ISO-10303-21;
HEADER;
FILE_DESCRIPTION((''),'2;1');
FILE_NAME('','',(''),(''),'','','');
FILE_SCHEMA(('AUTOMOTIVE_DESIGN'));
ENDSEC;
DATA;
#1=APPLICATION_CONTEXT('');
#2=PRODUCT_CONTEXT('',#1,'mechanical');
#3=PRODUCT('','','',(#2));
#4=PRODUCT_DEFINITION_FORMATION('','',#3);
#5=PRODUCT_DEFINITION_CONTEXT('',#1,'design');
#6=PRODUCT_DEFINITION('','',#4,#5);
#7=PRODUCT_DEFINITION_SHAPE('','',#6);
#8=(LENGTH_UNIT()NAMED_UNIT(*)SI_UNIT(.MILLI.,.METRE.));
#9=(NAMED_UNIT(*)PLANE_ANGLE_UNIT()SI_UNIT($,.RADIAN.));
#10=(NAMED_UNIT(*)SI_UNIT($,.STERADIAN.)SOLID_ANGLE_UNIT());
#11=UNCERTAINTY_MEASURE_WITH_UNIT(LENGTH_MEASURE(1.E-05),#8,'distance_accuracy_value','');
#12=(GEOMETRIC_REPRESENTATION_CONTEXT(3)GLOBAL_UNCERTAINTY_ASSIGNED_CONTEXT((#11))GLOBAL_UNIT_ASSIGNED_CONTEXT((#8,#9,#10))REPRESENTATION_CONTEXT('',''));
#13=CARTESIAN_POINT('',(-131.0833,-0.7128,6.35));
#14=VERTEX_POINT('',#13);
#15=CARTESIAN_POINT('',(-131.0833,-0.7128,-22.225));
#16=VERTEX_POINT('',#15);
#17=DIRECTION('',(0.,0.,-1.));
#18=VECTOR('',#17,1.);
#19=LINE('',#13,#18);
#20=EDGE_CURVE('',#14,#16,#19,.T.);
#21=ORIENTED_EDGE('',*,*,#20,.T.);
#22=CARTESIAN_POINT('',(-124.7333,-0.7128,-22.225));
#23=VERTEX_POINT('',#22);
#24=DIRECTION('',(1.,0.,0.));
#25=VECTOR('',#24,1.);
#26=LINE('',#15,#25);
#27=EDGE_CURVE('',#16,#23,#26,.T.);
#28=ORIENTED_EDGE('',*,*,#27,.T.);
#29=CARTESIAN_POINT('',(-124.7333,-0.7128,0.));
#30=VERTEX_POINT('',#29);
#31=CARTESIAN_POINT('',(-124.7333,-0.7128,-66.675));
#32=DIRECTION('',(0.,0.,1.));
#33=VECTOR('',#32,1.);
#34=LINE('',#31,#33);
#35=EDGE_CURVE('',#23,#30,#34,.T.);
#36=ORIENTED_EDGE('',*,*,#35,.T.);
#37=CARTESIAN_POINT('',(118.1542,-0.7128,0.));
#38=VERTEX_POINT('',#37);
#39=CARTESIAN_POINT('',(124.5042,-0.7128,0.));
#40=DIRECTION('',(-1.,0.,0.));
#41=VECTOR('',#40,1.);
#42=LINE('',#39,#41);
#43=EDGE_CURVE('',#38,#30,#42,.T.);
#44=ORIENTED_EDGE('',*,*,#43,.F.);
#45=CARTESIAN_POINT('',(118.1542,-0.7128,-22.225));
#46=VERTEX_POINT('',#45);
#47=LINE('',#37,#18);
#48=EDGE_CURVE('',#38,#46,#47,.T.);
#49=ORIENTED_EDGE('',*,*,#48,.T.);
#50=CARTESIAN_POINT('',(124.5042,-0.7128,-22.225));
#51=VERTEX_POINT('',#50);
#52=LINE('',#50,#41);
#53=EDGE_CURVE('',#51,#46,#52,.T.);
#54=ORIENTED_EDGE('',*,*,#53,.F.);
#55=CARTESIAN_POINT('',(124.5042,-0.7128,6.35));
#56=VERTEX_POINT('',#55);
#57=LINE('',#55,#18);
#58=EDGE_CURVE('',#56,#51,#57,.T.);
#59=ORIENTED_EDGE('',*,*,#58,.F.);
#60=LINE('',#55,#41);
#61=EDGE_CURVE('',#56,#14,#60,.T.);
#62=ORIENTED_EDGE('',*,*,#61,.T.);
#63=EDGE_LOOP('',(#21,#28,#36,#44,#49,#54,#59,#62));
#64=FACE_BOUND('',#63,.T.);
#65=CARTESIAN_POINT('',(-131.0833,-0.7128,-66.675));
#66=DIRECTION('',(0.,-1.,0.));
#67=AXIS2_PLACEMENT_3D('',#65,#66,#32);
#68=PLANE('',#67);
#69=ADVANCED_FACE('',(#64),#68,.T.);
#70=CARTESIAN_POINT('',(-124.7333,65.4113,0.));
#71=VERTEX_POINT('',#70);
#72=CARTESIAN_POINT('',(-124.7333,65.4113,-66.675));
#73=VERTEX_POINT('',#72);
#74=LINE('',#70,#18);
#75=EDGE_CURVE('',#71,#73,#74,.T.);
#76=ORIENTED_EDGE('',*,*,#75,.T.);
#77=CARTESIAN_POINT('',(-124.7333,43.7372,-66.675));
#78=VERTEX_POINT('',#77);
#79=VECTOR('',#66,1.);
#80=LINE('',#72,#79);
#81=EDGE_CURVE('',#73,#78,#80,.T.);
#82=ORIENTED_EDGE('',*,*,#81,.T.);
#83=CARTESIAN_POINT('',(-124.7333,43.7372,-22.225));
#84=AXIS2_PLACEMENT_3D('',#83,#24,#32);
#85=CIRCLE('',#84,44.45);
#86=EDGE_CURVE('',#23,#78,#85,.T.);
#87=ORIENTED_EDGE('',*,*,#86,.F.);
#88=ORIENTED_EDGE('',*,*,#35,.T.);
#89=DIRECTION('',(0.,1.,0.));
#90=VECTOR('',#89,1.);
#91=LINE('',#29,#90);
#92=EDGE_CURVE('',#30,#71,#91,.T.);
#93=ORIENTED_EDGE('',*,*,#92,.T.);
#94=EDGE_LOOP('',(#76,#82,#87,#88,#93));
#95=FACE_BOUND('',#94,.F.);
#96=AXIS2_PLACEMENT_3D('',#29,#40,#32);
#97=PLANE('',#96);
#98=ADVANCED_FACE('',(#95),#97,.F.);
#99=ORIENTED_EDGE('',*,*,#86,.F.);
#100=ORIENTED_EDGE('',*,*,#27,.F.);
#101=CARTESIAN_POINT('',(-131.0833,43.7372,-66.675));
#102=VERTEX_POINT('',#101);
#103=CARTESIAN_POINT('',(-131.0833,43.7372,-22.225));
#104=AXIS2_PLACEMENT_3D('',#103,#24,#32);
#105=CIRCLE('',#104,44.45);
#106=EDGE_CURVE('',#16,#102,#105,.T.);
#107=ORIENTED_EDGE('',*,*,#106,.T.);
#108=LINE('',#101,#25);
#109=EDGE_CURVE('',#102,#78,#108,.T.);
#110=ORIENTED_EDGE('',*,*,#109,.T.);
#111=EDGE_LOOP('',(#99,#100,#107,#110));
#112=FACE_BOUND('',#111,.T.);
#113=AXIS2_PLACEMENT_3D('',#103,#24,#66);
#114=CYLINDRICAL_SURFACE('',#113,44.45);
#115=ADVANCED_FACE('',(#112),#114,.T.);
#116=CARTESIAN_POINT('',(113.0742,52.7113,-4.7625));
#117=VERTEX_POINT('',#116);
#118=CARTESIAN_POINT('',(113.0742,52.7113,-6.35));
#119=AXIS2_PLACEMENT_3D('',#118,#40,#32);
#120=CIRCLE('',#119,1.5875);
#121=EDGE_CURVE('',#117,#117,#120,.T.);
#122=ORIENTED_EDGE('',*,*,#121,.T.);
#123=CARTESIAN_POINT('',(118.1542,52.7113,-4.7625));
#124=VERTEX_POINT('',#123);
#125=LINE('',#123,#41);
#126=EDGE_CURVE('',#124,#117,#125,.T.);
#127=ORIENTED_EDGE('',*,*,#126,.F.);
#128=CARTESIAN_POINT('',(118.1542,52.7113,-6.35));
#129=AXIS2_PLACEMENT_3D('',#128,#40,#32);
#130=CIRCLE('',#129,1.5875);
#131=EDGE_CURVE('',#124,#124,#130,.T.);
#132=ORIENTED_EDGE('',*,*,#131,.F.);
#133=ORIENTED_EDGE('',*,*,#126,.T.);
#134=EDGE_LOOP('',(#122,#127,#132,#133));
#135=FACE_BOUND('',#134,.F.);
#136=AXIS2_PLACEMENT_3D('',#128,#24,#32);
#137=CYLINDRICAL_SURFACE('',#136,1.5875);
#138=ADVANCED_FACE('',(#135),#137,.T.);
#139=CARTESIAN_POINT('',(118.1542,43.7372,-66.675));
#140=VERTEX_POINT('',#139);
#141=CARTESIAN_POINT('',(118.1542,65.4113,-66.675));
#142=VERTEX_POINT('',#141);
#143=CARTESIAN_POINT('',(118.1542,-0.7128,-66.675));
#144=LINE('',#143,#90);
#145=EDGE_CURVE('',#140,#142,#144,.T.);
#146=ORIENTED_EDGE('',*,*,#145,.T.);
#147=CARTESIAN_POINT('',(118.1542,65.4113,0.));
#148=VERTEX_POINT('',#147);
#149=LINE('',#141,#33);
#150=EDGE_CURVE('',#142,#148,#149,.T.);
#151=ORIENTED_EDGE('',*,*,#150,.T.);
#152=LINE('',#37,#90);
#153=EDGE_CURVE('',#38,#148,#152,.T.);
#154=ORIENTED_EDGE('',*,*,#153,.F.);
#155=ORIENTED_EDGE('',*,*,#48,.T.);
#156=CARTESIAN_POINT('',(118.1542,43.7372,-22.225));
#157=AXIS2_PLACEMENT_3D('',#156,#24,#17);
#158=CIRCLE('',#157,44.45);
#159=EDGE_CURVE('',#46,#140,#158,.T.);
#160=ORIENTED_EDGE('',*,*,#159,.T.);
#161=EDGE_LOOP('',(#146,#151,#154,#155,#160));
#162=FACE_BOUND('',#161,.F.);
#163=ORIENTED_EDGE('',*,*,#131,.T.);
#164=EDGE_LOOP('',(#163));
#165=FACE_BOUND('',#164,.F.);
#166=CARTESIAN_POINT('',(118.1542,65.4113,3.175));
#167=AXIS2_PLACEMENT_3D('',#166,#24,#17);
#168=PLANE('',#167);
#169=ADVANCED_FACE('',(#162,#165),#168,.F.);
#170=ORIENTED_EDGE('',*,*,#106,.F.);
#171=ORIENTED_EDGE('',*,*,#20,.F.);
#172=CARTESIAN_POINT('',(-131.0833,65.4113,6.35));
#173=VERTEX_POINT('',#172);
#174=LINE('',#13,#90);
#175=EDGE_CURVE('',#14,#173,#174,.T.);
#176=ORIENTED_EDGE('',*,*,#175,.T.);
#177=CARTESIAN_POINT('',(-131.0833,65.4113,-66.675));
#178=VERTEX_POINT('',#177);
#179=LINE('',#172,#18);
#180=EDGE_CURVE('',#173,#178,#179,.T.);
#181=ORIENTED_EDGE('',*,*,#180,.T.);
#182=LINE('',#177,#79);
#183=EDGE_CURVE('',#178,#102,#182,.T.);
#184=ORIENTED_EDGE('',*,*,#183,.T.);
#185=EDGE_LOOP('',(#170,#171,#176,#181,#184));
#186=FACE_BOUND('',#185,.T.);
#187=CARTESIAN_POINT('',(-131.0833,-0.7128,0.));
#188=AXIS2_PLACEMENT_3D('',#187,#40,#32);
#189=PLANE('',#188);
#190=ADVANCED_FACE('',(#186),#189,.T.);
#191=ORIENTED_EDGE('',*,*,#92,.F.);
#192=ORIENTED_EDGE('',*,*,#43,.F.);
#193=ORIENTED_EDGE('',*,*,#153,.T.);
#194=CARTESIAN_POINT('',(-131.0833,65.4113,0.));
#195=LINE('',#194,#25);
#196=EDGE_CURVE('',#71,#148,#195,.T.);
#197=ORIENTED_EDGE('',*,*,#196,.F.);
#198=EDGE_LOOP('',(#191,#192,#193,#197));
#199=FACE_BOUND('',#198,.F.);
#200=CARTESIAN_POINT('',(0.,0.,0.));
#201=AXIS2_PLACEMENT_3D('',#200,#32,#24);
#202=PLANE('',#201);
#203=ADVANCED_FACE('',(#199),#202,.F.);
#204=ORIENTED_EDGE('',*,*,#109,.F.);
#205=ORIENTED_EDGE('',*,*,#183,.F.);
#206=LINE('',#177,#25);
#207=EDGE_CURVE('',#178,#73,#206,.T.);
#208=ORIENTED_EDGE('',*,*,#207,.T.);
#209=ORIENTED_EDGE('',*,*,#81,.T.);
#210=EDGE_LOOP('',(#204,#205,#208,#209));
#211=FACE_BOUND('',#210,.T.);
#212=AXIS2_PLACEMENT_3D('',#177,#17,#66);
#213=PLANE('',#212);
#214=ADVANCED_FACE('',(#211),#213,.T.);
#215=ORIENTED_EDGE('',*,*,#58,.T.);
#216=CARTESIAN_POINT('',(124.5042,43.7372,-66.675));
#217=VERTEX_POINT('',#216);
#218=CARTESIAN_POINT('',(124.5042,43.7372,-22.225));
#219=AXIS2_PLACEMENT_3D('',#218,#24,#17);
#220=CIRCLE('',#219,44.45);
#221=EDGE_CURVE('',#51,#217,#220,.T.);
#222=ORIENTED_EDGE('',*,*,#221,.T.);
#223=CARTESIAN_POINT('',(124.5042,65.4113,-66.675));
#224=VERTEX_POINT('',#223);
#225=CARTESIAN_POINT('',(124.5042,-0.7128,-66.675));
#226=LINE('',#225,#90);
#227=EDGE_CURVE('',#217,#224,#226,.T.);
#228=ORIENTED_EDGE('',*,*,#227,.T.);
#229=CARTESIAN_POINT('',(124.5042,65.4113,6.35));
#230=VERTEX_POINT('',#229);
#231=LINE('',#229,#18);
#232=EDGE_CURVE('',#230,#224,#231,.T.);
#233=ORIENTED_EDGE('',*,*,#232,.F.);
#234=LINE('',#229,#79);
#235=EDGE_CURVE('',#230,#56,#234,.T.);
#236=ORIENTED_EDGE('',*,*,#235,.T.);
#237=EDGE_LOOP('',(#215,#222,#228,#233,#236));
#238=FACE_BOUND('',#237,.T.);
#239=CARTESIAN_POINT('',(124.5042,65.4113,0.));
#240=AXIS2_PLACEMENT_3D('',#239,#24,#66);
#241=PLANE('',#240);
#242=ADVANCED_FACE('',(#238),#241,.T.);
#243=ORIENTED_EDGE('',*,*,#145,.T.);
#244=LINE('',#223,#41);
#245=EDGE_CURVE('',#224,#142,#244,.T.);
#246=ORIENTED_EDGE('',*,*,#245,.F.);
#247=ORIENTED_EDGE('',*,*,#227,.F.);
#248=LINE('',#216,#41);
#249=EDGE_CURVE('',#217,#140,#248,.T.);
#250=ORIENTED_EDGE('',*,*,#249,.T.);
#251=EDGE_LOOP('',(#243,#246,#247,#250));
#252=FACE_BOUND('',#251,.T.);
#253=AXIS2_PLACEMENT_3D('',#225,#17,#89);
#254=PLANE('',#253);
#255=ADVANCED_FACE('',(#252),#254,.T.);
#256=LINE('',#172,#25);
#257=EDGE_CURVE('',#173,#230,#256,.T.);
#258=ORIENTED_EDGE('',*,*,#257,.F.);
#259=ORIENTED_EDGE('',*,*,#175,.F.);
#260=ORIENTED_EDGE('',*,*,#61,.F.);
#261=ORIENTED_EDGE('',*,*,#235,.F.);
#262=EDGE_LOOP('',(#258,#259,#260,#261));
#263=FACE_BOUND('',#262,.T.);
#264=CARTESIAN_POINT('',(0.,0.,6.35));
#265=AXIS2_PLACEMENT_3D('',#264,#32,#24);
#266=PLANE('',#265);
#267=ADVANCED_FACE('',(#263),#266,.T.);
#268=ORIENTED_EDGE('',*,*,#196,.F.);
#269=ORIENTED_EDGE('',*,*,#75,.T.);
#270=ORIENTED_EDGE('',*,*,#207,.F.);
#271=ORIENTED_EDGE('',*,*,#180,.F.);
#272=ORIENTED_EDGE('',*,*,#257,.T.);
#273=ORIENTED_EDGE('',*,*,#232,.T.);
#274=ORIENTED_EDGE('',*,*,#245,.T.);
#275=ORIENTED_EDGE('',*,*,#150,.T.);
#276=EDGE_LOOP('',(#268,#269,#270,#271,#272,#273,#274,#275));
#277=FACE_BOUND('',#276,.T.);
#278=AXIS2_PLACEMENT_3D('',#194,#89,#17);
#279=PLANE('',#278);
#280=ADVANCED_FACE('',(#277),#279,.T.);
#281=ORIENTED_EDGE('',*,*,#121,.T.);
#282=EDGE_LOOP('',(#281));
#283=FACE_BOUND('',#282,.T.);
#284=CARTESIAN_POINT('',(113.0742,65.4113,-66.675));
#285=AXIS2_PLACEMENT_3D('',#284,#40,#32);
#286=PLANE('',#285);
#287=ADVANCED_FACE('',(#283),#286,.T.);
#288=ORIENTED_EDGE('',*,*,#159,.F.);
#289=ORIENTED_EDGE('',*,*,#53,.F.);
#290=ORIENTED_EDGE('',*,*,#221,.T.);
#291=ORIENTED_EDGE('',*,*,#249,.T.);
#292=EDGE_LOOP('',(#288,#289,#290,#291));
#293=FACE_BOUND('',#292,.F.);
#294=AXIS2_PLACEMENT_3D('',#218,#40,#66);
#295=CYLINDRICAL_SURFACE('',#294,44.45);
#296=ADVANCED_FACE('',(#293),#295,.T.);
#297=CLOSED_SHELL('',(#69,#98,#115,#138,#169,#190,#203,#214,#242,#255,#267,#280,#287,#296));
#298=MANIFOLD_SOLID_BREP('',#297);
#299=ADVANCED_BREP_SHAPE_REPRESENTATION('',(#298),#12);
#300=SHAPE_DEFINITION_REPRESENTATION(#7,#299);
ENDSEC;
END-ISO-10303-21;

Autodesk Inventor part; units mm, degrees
ref_plane "YZ Plane" through (0, 0, 0) normal (1, 0, 0) x (0, 1, 0)
ref_plane "XZ Plane" through (0, 0, 0) normal (0, 1, 0) x (-1, 0, 0)
ref_plane "XY Plane" through (0, 0, 0) normal (0, 0, 1) x (1, 0, 0)
sketch "Sketch1" plane through (0, 0, 0) normal (0, 0, 1) x (1, 0, 0)
  line L0 (-131.0833, 65.4113) -> (124.5042, 65.4113)
  line L1 (124.5042, 65.4113) -> (124.5042, -0.7128)
  line L2 (124.5042, -0.7128) -> (-131.0833, -0.7128)
  line L3 (-131.0833, -0.7128) -> (-131.0833, 65.4113)
  point P0 (0, 0)
extrude "Extrusion1" add sketch "Sketch1" along normal blind 6.35
ref_plane "Work Plane2" through (124.5042, 65.4113, 3.175) normal (1, 0, 0) x (0, 0, -1)
sketch "Sketch4" plane through (124.5042, 65.4113, 3.175) normal (1, 0, 0) x (0, 0, -1)
  line L0 (3.175, -66.1241) -> (3.175, 0) projected
  line L1 (3.175, -66.1241) -> (69.85, -66.1241)
  line L2 (69.85, -66.1241) -> (69.85, 0)
  line L3 (69.85, 0) -> (3.175, 0)
  line L4 (3.175, 0) -> (3.175, -66.1241)
  point P0 (3.175, -65.4113)
  dimension "d2" = 66.1241
  dimension "d3" = 66.675
extrude "Extrusion2" add sketch "Sketch4" against normal blind 6.35
fillet "Fillet1" radius 44.45 1 edges at (121.3292, -0.7128, -66.675)
ref_plane "Work Plane3" through (-131.0833, -0.7128, 0) normal (-1, 0, 0) x (0, 0, 1)
sketch "Sketch5" plane through (-131.0833, -0.7128, 0) normal (-1, 0, 0) x (0, 0, 1)
  line L0 (0, 66.1241) -> (-66.675, 66.1241) projected
  line L1 (0, 66.1241) -> (-66.675, 66.1241)
  line L2 (-66.675, 66.1241) -> (-66.675, 0)
  line L3 (-66.675, 0) -> (0, 0)
  line L4 (0, 0) -> (0, 66.1241)
  point P0 (0, 0.7128)
extrude "Extrusion3" add sketch "Sketch5" against normal blind 6.35
fillet "Fillet2" radius 44.45 1 edges at (-127.9083, -0.7128, -66.675)
ref_plane "Work Plane4" through (118.1542, 65.4113, -66.675) normal (-1, 0, 0) x (0, 0, 1)
sketch "Sketch6" plane through (118.1542, 65.4113, -66.675) normal (-1, 0, 0) x (0, 0, 1)
  circle A0 centre (60.325, -12.7) radius 1.5875
  point P0 (66.675, -65.4113)
  dimension "d11" = 3.175
extrude "Extrusion4" add sketch "Sketch6" along normal blind 5.08
properties part number "Top Basic layout"
